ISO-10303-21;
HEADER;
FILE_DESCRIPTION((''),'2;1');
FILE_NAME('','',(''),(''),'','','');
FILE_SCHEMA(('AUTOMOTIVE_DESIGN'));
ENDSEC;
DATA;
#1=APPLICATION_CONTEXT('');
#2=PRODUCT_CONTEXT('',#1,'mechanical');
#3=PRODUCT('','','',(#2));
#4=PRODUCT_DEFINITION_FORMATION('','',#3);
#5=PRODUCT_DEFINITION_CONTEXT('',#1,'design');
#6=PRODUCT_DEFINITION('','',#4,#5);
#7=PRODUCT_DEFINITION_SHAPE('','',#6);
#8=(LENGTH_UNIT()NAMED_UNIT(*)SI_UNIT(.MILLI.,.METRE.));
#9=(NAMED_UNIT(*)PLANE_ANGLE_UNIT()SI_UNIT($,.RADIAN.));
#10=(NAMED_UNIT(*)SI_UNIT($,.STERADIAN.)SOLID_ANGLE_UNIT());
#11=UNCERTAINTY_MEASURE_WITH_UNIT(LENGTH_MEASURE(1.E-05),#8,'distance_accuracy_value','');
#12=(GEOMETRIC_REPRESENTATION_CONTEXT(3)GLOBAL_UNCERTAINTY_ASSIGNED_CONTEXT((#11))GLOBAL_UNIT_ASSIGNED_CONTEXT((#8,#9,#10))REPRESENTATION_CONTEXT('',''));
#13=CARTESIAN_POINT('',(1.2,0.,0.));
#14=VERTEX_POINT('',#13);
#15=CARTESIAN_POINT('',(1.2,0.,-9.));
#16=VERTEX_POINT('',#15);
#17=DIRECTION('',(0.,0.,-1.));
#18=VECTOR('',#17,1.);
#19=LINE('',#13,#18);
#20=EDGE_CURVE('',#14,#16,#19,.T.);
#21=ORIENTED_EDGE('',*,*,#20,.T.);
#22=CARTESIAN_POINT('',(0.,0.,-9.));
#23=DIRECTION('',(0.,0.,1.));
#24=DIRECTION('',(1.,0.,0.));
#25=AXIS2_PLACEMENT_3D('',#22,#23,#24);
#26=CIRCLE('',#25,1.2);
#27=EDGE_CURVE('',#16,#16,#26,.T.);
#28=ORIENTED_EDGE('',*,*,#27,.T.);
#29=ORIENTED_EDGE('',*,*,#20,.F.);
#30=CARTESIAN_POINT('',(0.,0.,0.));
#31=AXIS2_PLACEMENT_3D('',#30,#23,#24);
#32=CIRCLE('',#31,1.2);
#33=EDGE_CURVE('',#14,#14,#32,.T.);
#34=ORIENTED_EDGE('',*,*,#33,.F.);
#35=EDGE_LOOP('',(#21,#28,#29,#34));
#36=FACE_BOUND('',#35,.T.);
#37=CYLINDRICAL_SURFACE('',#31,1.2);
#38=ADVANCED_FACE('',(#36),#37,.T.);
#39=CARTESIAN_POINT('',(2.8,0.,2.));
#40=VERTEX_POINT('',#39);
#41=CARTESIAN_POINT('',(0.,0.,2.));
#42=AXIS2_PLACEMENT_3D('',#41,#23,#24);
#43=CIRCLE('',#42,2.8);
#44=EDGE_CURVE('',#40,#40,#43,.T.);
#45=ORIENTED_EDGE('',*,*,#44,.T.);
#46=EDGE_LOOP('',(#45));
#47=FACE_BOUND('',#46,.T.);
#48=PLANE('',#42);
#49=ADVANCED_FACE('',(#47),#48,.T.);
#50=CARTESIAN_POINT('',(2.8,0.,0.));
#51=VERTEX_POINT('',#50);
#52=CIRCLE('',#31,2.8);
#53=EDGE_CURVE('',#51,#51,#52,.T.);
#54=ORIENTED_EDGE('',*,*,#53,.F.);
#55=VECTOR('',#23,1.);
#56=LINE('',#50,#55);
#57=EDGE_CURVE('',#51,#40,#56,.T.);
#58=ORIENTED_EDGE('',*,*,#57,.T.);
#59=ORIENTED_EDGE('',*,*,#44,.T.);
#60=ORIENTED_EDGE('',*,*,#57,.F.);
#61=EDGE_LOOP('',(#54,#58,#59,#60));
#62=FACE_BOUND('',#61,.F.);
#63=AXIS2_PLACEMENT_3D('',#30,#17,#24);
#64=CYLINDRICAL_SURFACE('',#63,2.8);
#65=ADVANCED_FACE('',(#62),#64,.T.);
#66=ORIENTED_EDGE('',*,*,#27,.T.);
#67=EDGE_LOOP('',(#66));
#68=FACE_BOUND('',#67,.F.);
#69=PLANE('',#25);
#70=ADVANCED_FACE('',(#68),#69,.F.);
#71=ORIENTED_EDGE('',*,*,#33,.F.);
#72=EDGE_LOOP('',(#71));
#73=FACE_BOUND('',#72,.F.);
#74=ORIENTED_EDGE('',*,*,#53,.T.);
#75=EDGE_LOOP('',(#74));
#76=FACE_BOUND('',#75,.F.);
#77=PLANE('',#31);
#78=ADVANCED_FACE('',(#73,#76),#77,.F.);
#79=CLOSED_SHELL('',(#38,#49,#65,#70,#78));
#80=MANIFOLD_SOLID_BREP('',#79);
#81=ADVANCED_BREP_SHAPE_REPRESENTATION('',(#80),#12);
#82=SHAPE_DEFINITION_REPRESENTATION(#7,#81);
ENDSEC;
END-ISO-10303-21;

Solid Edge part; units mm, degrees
sketch "Sketch1" plane through (0, 0, 0) normal (0, 0, 1) x (1, 0, 0)
  circle A0 centre (0, 0) radius 2.8
extrude "Protrusion1" add sketch "Sketch1" along normal blind 2
sketch "Sketch2" plane through (0, 0, 0) normal (0, 0, 1) x (1, 0, 0)
  circle A0 centre (0, 0) radius 1.2
extrude "ExtrudedProtrusion_2" add sketch "Sketch2" against normal blind 9
